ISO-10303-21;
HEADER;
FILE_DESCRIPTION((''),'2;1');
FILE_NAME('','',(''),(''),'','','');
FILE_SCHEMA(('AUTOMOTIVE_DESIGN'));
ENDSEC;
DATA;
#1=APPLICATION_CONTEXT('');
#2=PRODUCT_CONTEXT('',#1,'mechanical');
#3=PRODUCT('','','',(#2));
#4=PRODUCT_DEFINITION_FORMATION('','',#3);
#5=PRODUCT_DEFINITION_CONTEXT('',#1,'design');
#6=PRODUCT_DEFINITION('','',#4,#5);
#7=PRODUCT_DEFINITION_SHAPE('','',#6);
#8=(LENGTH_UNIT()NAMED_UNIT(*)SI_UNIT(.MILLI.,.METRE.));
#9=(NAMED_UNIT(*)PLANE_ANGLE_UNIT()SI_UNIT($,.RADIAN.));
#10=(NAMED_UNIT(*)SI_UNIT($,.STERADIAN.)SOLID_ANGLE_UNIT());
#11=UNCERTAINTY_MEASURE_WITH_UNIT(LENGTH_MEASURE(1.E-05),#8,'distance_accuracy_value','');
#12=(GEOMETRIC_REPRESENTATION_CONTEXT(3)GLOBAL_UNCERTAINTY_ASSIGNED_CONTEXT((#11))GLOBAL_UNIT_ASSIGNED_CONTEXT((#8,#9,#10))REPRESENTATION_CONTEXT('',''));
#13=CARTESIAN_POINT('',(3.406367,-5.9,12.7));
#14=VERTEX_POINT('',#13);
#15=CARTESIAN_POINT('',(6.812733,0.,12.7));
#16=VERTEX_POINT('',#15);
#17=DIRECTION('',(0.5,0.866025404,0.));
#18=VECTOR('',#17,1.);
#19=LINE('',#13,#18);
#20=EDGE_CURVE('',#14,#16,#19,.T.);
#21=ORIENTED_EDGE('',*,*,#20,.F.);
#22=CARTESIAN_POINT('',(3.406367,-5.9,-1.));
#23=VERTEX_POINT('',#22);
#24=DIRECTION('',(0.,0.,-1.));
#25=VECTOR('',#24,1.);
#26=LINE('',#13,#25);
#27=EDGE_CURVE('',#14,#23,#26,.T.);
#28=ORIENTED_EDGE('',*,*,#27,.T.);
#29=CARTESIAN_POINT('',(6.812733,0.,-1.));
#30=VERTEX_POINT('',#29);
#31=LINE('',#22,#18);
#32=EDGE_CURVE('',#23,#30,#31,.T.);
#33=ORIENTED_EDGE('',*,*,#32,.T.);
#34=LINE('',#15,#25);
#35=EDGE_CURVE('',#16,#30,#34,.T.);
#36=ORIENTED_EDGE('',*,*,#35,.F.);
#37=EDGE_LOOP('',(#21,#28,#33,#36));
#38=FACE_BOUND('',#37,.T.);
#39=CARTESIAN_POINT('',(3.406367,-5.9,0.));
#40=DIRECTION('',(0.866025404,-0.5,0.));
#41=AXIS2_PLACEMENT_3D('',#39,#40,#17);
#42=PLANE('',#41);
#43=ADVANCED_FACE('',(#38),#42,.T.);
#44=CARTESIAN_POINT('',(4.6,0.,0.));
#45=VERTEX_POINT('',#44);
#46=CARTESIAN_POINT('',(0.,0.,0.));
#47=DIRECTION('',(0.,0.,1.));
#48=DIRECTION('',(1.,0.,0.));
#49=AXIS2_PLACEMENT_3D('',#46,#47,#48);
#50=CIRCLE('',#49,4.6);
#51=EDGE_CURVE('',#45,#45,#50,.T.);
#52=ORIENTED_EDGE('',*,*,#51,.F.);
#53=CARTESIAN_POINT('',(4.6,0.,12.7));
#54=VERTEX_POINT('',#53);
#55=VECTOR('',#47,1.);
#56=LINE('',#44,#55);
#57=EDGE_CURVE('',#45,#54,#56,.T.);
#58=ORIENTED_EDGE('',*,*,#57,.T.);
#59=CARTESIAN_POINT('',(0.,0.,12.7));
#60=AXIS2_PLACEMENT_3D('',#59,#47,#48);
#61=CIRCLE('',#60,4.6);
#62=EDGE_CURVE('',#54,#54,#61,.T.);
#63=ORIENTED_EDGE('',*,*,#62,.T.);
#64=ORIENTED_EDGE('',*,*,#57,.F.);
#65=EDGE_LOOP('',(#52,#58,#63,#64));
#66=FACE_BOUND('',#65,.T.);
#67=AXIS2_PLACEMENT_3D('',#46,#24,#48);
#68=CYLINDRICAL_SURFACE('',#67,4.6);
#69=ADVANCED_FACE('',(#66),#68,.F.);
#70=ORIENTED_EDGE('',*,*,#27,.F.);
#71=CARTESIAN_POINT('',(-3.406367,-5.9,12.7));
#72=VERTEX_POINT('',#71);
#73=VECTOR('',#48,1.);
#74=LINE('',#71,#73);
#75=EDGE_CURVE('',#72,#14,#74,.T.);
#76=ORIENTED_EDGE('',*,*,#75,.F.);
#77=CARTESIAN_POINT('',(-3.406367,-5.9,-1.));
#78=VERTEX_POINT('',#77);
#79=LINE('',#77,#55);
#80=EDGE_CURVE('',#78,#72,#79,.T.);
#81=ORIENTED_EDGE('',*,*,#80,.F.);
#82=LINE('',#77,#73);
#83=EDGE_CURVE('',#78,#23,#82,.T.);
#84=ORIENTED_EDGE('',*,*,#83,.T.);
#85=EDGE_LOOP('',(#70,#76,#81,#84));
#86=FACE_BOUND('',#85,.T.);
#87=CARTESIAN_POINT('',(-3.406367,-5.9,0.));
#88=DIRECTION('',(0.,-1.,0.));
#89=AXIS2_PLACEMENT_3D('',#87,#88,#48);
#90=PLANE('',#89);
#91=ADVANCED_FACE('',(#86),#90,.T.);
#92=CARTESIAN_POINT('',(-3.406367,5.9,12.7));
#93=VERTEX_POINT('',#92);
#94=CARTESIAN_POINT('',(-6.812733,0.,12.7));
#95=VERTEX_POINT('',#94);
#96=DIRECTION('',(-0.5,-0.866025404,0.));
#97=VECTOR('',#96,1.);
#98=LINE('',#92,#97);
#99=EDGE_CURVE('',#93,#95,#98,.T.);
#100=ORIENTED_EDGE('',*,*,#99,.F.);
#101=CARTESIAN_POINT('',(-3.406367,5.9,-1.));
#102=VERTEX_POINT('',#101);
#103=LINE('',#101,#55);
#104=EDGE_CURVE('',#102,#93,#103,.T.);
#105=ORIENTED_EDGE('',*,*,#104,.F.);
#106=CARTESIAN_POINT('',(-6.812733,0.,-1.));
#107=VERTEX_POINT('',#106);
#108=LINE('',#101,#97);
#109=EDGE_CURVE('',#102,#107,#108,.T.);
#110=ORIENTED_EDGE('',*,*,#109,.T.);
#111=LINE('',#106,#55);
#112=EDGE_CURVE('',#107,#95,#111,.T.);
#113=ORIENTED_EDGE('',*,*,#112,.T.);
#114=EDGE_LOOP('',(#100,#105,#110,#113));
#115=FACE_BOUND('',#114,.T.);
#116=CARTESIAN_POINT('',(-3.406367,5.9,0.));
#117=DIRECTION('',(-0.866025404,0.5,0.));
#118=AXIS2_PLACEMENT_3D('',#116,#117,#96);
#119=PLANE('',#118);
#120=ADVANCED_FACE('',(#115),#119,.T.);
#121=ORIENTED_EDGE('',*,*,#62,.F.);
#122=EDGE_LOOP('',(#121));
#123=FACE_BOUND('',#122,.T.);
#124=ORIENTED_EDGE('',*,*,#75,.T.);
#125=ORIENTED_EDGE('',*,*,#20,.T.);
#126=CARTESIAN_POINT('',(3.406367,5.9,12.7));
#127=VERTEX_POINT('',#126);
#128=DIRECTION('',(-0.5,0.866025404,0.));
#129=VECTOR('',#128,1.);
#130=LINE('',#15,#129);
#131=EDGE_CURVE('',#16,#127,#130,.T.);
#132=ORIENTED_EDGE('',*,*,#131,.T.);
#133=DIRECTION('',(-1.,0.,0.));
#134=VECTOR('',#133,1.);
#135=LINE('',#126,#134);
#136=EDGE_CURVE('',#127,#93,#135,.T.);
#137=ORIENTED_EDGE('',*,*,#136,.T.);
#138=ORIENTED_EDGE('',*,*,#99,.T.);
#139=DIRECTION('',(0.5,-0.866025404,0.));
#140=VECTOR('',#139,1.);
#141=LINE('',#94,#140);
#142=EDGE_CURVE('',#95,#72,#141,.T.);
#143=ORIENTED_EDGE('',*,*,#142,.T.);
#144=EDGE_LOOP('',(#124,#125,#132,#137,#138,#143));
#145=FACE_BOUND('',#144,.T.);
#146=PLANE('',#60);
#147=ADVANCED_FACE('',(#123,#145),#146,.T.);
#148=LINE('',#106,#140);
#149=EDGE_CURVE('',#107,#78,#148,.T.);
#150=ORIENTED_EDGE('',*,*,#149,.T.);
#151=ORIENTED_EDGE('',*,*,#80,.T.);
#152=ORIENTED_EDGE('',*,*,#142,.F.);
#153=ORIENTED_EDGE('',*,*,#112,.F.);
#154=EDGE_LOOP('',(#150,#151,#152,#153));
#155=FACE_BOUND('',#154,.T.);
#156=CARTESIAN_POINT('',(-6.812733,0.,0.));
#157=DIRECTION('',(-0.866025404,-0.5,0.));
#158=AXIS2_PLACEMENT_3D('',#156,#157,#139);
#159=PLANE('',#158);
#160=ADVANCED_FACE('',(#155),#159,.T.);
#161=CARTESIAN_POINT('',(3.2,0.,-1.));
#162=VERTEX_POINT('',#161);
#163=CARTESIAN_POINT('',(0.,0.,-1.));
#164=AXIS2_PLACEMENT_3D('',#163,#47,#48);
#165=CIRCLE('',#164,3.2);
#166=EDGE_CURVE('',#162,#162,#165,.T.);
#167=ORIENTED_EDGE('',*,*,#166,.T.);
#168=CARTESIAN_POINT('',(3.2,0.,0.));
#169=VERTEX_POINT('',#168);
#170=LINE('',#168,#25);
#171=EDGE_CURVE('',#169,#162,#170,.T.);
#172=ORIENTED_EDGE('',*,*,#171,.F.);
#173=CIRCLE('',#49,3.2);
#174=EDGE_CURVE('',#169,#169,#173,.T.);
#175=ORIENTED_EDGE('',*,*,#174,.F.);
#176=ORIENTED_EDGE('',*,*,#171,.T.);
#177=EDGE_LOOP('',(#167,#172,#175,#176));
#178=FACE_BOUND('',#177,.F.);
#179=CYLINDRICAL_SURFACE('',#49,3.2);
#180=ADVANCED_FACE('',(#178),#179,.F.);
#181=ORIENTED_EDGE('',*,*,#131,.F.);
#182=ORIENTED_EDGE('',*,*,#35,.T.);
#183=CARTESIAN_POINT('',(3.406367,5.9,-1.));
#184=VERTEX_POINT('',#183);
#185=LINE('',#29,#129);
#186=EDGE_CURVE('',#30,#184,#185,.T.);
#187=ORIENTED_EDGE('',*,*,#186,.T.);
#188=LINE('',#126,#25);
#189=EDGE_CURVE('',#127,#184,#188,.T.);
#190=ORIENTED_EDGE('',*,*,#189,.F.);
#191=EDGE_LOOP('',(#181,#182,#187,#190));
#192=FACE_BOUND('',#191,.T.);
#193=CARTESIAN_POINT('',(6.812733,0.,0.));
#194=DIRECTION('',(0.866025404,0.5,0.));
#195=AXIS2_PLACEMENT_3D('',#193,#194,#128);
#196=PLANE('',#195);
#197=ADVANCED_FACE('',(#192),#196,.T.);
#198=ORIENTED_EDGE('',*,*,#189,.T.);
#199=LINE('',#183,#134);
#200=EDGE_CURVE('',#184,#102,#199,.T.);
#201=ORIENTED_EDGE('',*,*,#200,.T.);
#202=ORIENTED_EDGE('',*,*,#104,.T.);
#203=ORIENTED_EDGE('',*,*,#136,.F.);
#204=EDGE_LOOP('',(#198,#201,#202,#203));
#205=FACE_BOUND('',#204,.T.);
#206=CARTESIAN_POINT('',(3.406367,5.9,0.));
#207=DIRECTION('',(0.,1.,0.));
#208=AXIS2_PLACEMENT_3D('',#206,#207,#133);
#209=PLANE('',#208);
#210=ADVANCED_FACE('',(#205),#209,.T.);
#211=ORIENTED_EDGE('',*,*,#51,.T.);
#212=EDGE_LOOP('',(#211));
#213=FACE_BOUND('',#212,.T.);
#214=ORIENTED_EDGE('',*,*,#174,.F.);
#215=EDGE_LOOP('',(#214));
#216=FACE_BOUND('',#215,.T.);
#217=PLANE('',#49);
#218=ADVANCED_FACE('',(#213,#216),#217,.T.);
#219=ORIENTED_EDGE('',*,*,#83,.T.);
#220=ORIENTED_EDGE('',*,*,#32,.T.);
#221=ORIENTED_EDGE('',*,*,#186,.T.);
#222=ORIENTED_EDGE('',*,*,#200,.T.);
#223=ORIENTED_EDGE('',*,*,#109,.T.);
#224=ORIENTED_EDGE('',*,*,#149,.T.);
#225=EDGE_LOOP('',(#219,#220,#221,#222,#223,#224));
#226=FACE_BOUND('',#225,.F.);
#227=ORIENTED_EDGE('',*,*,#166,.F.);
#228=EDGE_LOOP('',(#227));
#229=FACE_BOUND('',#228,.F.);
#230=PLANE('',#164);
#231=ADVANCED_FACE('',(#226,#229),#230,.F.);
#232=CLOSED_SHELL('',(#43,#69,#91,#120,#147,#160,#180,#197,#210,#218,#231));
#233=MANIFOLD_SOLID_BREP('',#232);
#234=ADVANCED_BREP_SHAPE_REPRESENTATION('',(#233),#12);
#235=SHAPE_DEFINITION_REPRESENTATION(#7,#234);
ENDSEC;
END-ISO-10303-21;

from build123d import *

# Parameters (mm, degrees)
F0_R     = 4.6
F1_DEPTH = 12.7
F0_R_2   = 3.2
F2_DEPTH = 1


with BuildPart() as f1:
    # F0 (on Top) → F1 (new body)
    with BuildSketch(Plane.XY):
        Polygon((3.4063665882, 5.9), (-3.4063665882, 5.9), (-6.8127331764, 0), (-3.4063665882, -5.9), (3.4063665882, -5.9), (6.8127331764, 0), align=None)
        Circle(F0_R, mode=Mode.SUBTRACT)
    extrude(amount=F1_DEPTH)

    # F0 (on Top) → F2 (join)
    with BuildSketch(Plane.XY):
        Polygon((3.4063665882, 5.9), (-3.4063665882, 5.9), (-6.8127331764, 0), (-3.4063665882, -5.9), (3.4063665882, -5.9), (6.8127331764, 0), align=None)
        Circle(F0_R, mode=Mode.SUBTRACT)
        Circle(F0_R)
        Circle(F0_R_2, mode=Mode.SUBTRACT)
    extrude(amount=-F2_DEPTH)


solid = f1.part
